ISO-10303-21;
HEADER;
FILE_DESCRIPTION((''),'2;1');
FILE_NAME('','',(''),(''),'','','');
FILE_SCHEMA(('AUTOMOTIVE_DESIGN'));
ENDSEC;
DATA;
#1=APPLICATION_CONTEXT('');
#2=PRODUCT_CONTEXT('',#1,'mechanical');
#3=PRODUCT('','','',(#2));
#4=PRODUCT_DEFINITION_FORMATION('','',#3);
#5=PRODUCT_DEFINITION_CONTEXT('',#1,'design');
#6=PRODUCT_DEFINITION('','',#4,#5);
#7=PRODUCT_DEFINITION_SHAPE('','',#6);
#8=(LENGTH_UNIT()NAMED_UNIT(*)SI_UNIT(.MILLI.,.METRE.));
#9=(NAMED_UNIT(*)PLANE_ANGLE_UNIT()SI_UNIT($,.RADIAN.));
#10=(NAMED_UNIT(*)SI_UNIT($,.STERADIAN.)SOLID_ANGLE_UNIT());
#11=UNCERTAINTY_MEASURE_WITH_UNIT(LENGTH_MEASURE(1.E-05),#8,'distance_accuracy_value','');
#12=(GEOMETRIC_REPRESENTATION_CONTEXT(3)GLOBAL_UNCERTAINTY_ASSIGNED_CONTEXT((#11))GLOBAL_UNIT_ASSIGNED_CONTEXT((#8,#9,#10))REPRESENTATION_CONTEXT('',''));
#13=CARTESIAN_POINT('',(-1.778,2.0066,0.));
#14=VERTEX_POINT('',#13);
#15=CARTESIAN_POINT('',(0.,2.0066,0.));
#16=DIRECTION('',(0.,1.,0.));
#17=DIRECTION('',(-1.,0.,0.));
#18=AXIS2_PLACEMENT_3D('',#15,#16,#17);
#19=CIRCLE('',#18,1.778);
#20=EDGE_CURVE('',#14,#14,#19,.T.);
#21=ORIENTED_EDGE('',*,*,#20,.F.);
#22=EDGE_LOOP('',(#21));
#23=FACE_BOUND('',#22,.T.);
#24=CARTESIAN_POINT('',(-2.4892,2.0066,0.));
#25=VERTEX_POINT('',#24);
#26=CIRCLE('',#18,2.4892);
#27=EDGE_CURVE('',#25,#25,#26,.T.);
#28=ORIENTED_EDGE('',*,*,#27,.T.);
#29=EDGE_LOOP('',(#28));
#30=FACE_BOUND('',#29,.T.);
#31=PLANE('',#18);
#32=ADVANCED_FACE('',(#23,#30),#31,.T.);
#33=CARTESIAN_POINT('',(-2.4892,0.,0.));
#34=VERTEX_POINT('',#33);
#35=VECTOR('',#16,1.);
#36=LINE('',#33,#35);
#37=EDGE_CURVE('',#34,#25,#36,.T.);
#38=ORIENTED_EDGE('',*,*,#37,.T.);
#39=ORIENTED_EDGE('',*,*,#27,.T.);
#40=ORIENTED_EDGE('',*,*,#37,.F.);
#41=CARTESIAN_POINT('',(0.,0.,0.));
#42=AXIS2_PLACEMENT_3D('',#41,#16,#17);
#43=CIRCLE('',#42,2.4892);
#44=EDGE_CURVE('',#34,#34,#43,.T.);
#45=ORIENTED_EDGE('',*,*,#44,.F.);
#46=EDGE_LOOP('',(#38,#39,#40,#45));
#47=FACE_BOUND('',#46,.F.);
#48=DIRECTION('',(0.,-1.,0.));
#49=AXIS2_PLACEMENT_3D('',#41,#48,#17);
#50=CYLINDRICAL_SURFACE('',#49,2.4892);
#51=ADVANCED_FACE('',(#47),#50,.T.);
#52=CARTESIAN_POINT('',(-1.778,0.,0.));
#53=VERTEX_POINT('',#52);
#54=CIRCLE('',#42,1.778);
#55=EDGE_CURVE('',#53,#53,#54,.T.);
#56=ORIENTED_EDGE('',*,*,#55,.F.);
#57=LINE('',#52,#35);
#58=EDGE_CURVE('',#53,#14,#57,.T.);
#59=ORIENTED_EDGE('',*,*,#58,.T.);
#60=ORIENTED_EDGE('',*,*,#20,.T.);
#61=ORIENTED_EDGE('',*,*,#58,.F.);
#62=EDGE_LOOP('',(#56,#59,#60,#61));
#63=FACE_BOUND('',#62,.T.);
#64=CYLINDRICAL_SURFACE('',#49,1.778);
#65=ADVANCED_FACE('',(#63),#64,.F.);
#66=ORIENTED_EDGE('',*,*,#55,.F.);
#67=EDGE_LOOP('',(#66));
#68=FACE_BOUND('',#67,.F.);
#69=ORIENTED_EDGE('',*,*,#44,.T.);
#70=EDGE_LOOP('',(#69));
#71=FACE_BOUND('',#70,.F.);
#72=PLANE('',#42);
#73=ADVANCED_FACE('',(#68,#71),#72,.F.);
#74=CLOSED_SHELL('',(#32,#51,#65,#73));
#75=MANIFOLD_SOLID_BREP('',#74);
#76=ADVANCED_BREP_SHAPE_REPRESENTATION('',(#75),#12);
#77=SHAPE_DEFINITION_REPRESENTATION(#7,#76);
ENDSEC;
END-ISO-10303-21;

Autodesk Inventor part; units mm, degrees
ref_plane "YZ Plane" through (0, 0, 0) normal (1, 0, 0) x (0, 1, 0)
ref_plane "XZ Plane" through (0, 0, 0) normal (0, 1, 0) x (-1, 0, 0)
ref_plane "XY Plane" through (0, 0, 0) normal (0, 0, 1) x (1, 0, 0)
sketch "Sketch1" plane through (0, 0, 0) normal (0, 1, 0) x (-1, 0, 0)
  circle A0 centre (0, 0) radius 1.778
  circle A1 centre (0, 0) radius 2.4892
  dimension "d0" = 3.556
  dimension "d1" = 4.9784
extrude "Extrusion1" add sketch "Sketch1" along normal blind 2.0066
properties part number "BrassMountInserts" material "Brass, Soft Yellow"
